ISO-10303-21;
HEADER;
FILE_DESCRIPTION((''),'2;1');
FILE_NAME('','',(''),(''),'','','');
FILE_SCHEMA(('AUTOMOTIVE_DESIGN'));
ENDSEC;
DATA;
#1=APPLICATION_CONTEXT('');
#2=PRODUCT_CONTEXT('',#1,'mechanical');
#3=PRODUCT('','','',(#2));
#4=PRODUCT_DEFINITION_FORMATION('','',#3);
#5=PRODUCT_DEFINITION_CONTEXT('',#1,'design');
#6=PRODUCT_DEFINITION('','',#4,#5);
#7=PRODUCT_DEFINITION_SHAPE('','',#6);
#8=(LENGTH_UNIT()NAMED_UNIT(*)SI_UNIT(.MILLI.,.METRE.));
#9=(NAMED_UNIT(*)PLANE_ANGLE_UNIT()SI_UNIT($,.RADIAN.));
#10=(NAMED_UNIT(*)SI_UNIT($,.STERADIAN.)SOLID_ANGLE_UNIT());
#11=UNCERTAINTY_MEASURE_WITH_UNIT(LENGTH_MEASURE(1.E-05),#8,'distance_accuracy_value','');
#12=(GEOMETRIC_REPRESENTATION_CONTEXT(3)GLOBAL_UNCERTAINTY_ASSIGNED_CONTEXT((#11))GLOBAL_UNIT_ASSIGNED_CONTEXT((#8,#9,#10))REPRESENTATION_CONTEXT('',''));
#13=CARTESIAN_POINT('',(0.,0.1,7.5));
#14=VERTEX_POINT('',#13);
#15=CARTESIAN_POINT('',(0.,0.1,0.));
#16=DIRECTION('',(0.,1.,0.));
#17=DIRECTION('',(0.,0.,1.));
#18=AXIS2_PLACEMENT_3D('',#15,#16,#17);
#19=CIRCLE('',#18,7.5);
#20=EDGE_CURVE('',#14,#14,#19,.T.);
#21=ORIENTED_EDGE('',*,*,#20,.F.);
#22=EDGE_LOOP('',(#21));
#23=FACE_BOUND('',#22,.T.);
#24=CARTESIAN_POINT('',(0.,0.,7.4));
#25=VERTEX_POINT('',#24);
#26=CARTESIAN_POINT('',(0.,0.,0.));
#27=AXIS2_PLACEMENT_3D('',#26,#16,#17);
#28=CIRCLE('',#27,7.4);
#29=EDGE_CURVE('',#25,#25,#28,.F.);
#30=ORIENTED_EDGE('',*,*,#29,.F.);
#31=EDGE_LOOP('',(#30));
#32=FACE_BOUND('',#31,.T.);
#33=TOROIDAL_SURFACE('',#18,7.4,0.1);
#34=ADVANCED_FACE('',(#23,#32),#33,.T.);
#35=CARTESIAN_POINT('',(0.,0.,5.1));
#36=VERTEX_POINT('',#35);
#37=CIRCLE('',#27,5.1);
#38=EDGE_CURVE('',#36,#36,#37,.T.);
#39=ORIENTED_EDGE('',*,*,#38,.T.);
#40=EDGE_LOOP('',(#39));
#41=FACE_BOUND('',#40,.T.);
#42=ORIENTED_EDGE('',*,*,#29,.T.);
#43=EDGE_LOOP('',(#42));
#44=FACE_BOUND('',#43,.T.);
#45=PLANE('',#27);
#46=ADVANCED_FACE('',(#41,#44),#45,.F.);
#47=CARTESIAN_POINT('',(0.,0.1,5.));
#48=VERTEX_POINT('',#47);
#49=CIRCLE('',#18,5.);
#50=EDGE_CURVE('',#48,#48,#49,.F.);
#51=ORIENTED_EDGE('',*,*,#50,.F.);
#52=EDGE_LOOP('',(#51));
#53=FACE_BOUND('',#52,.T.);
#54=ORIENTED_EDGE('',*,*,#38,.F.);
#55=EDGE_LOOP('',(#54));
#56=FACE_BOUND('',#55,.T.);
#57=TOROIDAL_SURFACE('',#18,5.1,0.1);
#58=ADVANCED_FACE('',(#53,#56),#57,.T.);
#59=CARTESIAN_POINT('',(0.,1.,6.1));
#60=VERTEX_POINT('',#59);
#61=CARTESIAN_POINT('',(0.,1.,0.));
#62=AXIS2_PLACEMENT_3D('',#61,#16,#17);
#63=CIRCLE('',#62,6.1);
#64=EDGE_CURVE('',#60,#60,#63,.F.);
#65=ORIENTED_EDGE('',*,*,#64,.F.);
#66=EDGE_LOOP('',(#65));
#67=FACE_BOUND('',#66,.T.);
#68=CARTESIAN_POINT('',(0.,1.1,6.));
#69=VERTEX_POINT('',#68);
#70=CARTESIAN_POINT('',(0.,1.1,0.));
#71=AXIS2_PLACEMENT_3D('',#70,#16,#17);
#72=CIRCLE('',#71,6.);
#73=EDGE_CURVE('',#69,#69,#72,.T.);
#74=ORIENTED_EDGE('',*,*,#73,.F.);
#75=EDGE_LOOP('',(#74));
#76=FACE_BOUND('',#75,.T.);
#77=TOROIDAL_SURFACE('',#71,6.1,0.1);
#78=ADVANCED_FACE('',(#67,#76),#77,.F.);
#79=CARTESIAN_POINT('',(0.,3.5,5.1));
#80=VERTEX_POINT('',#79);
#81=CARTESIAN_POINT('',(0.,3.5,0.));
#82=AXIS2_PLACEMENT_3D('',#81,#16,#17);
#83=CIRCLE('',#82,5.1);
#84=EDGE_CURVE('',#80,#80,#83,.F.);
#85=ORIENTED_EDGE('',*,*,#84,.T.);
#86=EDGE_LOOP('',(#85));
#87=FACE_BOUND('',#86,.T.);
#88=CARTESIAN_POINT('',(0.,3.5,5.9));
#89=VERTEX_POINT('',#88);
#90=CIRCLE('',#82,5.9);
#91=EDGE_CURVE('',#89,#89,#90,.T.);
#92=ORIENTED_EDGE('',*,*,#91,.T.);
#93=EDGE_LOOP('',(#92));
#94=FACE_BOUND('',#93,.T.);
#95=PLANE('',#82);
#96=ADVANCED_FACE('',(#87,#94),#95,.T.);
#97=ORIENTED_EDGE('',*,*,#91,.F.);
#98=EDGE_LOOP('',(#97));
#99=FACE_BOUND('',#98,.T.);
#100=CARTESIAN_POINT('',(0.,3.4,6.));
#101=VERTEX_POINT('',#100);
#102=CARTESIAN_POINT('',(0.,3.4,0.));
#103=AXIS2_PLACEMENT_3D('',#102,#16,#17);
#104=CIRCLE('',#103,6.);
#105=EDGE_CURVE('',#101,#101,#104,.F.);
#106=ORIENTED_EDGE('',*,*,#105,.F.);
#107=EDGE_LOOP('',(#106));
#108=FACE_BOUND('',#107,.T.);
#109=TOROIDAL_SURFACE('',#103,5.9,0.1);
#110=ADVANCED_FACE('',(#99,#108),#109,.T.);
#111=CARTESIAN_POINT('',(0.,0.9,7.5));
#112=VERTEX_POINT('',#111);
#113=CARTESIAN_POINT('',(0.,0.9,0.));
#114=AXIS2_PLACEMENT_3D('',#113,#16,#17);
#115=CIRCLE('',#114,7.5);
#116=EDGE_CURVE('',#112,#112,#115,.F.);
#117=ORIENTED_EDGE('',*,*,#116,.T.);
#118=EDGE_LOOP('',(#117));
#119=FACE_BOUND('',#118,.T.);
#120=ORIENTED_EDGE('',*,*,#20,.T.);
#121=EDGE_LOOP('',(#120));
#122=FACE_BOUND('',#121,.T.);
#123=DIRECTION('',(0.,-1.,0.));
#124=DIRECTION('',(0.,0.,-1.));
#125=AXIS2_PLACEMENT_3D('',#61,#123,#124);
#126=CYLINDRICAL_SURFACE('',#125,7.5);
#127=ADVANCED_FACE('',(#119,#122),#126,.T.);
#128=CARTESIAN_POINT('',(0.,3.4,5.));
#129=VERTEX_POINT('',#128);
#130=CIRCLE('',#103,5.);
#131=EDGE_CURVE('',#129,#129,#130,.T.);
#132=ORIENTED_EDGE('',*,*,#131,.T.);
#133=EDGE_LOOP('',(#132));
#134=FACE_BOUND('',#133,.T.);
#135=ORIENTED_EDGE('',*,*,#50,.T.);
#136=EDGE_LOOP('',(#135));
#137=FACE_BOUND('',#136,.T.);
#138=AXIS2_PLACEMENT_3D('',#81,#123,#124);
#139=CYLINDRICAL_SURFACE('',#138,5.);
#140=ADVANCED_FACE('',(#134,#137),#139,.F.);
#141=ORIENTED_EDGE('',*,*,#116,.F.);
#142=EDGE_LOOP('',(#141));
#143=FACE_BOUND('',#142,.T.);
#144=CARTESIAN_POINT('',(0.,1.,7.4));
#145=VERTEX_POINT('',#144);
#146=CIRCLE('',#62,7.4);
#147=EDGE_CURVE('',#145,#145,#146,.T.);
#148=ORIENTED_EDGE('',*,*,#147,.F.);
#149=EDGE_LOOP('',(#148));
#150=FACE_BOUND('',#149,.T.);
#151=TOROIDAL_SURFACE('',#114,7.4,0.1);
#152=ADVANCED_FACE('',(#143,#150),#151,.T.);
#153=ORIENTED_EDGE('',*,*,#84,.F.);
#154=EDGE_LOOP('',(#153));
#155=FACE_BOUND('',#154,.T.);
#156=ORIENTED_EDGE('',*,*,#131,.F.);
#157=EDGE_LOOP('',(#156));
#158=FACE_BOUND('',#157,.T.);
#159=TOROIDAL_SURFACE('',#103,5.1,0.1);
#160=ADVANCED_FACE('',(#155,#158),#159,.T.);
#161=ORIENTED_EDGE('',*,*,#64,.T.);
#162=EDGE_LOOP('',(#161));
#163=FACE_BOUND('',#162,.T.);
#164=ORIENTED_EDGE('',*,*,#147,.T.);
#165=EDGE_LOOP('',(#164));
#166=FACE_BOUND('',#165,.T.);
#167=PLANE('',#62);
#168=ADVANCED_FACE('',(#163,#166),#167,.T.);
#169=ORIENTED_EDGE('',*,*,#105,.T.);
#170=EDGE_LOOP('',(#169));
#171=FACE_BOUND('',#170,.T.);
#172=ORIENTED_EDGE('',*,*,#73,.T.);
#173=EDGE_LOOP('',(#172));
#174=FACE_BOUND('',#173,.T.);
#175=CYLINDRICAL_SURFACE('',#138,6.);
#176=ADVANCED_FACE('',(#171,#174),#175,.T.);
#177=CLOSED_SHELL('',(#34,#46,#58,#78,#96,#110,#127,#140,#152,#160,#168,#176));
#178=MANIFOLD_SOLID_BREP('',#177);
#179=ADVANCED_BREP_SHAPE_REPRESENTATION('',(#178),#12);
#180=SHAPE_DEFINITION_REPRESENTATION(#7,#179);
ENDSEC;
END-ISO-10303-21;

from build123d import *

# Parameters (mm, degrees)
SKETCH3_R           = 6
SKETCH3_R_2         = 5
BOSS_EXTRUDE1_DEPTH = 3.5
SKETCH4_R           = 7.5
SKETCH4_R_2         = 6
BOSS_EXTRUDE2_DEPTH = 1
FILLET1_R           = 0.1


with BuildPart() as part:
    # Sketch3 → Boss-Extrude1 (new body)
    with BuildSketch(Plane(origin=(0, 0, 0), x_dir=(1, 0, 0), z_dir=(0, 1, 0))):
        Circle(SKETCH3_R)
        Circle(SKETCH3_R_2, mode=Mode.SUBTRACT)
    extrude(amount=BOSS_EXTRUDE1_DEPTH)

    # Sketch4 → Boss-Extrude2 (add)
    with BuildSketch(Plane(origin=(0, 0, 0), x_dir=(1, 0, 0), z_dir=(0, 1, 0))):
        Circle(SKETCH4_R)
        Circle(SKETCH4_R_2, mode=Mode.SUBTRACT)
    extrude(amount=BOSS_EXTRUDE2_DEPTH)

    # Fillet1
    fillet1_edges = [part.edges().sort_by_distance(p)[0] for p in [
        (-7.5, 0, 0),
        (-6, 1, 0),
        (-6, 3.5, 0),
        (-5, 0, 0),
        (-5, 3.5, 0),
        (-7.5, 1, 0),
    ]]
    fillet(fillet1_edges, radius=FILLET1_R)


solid = part.part
